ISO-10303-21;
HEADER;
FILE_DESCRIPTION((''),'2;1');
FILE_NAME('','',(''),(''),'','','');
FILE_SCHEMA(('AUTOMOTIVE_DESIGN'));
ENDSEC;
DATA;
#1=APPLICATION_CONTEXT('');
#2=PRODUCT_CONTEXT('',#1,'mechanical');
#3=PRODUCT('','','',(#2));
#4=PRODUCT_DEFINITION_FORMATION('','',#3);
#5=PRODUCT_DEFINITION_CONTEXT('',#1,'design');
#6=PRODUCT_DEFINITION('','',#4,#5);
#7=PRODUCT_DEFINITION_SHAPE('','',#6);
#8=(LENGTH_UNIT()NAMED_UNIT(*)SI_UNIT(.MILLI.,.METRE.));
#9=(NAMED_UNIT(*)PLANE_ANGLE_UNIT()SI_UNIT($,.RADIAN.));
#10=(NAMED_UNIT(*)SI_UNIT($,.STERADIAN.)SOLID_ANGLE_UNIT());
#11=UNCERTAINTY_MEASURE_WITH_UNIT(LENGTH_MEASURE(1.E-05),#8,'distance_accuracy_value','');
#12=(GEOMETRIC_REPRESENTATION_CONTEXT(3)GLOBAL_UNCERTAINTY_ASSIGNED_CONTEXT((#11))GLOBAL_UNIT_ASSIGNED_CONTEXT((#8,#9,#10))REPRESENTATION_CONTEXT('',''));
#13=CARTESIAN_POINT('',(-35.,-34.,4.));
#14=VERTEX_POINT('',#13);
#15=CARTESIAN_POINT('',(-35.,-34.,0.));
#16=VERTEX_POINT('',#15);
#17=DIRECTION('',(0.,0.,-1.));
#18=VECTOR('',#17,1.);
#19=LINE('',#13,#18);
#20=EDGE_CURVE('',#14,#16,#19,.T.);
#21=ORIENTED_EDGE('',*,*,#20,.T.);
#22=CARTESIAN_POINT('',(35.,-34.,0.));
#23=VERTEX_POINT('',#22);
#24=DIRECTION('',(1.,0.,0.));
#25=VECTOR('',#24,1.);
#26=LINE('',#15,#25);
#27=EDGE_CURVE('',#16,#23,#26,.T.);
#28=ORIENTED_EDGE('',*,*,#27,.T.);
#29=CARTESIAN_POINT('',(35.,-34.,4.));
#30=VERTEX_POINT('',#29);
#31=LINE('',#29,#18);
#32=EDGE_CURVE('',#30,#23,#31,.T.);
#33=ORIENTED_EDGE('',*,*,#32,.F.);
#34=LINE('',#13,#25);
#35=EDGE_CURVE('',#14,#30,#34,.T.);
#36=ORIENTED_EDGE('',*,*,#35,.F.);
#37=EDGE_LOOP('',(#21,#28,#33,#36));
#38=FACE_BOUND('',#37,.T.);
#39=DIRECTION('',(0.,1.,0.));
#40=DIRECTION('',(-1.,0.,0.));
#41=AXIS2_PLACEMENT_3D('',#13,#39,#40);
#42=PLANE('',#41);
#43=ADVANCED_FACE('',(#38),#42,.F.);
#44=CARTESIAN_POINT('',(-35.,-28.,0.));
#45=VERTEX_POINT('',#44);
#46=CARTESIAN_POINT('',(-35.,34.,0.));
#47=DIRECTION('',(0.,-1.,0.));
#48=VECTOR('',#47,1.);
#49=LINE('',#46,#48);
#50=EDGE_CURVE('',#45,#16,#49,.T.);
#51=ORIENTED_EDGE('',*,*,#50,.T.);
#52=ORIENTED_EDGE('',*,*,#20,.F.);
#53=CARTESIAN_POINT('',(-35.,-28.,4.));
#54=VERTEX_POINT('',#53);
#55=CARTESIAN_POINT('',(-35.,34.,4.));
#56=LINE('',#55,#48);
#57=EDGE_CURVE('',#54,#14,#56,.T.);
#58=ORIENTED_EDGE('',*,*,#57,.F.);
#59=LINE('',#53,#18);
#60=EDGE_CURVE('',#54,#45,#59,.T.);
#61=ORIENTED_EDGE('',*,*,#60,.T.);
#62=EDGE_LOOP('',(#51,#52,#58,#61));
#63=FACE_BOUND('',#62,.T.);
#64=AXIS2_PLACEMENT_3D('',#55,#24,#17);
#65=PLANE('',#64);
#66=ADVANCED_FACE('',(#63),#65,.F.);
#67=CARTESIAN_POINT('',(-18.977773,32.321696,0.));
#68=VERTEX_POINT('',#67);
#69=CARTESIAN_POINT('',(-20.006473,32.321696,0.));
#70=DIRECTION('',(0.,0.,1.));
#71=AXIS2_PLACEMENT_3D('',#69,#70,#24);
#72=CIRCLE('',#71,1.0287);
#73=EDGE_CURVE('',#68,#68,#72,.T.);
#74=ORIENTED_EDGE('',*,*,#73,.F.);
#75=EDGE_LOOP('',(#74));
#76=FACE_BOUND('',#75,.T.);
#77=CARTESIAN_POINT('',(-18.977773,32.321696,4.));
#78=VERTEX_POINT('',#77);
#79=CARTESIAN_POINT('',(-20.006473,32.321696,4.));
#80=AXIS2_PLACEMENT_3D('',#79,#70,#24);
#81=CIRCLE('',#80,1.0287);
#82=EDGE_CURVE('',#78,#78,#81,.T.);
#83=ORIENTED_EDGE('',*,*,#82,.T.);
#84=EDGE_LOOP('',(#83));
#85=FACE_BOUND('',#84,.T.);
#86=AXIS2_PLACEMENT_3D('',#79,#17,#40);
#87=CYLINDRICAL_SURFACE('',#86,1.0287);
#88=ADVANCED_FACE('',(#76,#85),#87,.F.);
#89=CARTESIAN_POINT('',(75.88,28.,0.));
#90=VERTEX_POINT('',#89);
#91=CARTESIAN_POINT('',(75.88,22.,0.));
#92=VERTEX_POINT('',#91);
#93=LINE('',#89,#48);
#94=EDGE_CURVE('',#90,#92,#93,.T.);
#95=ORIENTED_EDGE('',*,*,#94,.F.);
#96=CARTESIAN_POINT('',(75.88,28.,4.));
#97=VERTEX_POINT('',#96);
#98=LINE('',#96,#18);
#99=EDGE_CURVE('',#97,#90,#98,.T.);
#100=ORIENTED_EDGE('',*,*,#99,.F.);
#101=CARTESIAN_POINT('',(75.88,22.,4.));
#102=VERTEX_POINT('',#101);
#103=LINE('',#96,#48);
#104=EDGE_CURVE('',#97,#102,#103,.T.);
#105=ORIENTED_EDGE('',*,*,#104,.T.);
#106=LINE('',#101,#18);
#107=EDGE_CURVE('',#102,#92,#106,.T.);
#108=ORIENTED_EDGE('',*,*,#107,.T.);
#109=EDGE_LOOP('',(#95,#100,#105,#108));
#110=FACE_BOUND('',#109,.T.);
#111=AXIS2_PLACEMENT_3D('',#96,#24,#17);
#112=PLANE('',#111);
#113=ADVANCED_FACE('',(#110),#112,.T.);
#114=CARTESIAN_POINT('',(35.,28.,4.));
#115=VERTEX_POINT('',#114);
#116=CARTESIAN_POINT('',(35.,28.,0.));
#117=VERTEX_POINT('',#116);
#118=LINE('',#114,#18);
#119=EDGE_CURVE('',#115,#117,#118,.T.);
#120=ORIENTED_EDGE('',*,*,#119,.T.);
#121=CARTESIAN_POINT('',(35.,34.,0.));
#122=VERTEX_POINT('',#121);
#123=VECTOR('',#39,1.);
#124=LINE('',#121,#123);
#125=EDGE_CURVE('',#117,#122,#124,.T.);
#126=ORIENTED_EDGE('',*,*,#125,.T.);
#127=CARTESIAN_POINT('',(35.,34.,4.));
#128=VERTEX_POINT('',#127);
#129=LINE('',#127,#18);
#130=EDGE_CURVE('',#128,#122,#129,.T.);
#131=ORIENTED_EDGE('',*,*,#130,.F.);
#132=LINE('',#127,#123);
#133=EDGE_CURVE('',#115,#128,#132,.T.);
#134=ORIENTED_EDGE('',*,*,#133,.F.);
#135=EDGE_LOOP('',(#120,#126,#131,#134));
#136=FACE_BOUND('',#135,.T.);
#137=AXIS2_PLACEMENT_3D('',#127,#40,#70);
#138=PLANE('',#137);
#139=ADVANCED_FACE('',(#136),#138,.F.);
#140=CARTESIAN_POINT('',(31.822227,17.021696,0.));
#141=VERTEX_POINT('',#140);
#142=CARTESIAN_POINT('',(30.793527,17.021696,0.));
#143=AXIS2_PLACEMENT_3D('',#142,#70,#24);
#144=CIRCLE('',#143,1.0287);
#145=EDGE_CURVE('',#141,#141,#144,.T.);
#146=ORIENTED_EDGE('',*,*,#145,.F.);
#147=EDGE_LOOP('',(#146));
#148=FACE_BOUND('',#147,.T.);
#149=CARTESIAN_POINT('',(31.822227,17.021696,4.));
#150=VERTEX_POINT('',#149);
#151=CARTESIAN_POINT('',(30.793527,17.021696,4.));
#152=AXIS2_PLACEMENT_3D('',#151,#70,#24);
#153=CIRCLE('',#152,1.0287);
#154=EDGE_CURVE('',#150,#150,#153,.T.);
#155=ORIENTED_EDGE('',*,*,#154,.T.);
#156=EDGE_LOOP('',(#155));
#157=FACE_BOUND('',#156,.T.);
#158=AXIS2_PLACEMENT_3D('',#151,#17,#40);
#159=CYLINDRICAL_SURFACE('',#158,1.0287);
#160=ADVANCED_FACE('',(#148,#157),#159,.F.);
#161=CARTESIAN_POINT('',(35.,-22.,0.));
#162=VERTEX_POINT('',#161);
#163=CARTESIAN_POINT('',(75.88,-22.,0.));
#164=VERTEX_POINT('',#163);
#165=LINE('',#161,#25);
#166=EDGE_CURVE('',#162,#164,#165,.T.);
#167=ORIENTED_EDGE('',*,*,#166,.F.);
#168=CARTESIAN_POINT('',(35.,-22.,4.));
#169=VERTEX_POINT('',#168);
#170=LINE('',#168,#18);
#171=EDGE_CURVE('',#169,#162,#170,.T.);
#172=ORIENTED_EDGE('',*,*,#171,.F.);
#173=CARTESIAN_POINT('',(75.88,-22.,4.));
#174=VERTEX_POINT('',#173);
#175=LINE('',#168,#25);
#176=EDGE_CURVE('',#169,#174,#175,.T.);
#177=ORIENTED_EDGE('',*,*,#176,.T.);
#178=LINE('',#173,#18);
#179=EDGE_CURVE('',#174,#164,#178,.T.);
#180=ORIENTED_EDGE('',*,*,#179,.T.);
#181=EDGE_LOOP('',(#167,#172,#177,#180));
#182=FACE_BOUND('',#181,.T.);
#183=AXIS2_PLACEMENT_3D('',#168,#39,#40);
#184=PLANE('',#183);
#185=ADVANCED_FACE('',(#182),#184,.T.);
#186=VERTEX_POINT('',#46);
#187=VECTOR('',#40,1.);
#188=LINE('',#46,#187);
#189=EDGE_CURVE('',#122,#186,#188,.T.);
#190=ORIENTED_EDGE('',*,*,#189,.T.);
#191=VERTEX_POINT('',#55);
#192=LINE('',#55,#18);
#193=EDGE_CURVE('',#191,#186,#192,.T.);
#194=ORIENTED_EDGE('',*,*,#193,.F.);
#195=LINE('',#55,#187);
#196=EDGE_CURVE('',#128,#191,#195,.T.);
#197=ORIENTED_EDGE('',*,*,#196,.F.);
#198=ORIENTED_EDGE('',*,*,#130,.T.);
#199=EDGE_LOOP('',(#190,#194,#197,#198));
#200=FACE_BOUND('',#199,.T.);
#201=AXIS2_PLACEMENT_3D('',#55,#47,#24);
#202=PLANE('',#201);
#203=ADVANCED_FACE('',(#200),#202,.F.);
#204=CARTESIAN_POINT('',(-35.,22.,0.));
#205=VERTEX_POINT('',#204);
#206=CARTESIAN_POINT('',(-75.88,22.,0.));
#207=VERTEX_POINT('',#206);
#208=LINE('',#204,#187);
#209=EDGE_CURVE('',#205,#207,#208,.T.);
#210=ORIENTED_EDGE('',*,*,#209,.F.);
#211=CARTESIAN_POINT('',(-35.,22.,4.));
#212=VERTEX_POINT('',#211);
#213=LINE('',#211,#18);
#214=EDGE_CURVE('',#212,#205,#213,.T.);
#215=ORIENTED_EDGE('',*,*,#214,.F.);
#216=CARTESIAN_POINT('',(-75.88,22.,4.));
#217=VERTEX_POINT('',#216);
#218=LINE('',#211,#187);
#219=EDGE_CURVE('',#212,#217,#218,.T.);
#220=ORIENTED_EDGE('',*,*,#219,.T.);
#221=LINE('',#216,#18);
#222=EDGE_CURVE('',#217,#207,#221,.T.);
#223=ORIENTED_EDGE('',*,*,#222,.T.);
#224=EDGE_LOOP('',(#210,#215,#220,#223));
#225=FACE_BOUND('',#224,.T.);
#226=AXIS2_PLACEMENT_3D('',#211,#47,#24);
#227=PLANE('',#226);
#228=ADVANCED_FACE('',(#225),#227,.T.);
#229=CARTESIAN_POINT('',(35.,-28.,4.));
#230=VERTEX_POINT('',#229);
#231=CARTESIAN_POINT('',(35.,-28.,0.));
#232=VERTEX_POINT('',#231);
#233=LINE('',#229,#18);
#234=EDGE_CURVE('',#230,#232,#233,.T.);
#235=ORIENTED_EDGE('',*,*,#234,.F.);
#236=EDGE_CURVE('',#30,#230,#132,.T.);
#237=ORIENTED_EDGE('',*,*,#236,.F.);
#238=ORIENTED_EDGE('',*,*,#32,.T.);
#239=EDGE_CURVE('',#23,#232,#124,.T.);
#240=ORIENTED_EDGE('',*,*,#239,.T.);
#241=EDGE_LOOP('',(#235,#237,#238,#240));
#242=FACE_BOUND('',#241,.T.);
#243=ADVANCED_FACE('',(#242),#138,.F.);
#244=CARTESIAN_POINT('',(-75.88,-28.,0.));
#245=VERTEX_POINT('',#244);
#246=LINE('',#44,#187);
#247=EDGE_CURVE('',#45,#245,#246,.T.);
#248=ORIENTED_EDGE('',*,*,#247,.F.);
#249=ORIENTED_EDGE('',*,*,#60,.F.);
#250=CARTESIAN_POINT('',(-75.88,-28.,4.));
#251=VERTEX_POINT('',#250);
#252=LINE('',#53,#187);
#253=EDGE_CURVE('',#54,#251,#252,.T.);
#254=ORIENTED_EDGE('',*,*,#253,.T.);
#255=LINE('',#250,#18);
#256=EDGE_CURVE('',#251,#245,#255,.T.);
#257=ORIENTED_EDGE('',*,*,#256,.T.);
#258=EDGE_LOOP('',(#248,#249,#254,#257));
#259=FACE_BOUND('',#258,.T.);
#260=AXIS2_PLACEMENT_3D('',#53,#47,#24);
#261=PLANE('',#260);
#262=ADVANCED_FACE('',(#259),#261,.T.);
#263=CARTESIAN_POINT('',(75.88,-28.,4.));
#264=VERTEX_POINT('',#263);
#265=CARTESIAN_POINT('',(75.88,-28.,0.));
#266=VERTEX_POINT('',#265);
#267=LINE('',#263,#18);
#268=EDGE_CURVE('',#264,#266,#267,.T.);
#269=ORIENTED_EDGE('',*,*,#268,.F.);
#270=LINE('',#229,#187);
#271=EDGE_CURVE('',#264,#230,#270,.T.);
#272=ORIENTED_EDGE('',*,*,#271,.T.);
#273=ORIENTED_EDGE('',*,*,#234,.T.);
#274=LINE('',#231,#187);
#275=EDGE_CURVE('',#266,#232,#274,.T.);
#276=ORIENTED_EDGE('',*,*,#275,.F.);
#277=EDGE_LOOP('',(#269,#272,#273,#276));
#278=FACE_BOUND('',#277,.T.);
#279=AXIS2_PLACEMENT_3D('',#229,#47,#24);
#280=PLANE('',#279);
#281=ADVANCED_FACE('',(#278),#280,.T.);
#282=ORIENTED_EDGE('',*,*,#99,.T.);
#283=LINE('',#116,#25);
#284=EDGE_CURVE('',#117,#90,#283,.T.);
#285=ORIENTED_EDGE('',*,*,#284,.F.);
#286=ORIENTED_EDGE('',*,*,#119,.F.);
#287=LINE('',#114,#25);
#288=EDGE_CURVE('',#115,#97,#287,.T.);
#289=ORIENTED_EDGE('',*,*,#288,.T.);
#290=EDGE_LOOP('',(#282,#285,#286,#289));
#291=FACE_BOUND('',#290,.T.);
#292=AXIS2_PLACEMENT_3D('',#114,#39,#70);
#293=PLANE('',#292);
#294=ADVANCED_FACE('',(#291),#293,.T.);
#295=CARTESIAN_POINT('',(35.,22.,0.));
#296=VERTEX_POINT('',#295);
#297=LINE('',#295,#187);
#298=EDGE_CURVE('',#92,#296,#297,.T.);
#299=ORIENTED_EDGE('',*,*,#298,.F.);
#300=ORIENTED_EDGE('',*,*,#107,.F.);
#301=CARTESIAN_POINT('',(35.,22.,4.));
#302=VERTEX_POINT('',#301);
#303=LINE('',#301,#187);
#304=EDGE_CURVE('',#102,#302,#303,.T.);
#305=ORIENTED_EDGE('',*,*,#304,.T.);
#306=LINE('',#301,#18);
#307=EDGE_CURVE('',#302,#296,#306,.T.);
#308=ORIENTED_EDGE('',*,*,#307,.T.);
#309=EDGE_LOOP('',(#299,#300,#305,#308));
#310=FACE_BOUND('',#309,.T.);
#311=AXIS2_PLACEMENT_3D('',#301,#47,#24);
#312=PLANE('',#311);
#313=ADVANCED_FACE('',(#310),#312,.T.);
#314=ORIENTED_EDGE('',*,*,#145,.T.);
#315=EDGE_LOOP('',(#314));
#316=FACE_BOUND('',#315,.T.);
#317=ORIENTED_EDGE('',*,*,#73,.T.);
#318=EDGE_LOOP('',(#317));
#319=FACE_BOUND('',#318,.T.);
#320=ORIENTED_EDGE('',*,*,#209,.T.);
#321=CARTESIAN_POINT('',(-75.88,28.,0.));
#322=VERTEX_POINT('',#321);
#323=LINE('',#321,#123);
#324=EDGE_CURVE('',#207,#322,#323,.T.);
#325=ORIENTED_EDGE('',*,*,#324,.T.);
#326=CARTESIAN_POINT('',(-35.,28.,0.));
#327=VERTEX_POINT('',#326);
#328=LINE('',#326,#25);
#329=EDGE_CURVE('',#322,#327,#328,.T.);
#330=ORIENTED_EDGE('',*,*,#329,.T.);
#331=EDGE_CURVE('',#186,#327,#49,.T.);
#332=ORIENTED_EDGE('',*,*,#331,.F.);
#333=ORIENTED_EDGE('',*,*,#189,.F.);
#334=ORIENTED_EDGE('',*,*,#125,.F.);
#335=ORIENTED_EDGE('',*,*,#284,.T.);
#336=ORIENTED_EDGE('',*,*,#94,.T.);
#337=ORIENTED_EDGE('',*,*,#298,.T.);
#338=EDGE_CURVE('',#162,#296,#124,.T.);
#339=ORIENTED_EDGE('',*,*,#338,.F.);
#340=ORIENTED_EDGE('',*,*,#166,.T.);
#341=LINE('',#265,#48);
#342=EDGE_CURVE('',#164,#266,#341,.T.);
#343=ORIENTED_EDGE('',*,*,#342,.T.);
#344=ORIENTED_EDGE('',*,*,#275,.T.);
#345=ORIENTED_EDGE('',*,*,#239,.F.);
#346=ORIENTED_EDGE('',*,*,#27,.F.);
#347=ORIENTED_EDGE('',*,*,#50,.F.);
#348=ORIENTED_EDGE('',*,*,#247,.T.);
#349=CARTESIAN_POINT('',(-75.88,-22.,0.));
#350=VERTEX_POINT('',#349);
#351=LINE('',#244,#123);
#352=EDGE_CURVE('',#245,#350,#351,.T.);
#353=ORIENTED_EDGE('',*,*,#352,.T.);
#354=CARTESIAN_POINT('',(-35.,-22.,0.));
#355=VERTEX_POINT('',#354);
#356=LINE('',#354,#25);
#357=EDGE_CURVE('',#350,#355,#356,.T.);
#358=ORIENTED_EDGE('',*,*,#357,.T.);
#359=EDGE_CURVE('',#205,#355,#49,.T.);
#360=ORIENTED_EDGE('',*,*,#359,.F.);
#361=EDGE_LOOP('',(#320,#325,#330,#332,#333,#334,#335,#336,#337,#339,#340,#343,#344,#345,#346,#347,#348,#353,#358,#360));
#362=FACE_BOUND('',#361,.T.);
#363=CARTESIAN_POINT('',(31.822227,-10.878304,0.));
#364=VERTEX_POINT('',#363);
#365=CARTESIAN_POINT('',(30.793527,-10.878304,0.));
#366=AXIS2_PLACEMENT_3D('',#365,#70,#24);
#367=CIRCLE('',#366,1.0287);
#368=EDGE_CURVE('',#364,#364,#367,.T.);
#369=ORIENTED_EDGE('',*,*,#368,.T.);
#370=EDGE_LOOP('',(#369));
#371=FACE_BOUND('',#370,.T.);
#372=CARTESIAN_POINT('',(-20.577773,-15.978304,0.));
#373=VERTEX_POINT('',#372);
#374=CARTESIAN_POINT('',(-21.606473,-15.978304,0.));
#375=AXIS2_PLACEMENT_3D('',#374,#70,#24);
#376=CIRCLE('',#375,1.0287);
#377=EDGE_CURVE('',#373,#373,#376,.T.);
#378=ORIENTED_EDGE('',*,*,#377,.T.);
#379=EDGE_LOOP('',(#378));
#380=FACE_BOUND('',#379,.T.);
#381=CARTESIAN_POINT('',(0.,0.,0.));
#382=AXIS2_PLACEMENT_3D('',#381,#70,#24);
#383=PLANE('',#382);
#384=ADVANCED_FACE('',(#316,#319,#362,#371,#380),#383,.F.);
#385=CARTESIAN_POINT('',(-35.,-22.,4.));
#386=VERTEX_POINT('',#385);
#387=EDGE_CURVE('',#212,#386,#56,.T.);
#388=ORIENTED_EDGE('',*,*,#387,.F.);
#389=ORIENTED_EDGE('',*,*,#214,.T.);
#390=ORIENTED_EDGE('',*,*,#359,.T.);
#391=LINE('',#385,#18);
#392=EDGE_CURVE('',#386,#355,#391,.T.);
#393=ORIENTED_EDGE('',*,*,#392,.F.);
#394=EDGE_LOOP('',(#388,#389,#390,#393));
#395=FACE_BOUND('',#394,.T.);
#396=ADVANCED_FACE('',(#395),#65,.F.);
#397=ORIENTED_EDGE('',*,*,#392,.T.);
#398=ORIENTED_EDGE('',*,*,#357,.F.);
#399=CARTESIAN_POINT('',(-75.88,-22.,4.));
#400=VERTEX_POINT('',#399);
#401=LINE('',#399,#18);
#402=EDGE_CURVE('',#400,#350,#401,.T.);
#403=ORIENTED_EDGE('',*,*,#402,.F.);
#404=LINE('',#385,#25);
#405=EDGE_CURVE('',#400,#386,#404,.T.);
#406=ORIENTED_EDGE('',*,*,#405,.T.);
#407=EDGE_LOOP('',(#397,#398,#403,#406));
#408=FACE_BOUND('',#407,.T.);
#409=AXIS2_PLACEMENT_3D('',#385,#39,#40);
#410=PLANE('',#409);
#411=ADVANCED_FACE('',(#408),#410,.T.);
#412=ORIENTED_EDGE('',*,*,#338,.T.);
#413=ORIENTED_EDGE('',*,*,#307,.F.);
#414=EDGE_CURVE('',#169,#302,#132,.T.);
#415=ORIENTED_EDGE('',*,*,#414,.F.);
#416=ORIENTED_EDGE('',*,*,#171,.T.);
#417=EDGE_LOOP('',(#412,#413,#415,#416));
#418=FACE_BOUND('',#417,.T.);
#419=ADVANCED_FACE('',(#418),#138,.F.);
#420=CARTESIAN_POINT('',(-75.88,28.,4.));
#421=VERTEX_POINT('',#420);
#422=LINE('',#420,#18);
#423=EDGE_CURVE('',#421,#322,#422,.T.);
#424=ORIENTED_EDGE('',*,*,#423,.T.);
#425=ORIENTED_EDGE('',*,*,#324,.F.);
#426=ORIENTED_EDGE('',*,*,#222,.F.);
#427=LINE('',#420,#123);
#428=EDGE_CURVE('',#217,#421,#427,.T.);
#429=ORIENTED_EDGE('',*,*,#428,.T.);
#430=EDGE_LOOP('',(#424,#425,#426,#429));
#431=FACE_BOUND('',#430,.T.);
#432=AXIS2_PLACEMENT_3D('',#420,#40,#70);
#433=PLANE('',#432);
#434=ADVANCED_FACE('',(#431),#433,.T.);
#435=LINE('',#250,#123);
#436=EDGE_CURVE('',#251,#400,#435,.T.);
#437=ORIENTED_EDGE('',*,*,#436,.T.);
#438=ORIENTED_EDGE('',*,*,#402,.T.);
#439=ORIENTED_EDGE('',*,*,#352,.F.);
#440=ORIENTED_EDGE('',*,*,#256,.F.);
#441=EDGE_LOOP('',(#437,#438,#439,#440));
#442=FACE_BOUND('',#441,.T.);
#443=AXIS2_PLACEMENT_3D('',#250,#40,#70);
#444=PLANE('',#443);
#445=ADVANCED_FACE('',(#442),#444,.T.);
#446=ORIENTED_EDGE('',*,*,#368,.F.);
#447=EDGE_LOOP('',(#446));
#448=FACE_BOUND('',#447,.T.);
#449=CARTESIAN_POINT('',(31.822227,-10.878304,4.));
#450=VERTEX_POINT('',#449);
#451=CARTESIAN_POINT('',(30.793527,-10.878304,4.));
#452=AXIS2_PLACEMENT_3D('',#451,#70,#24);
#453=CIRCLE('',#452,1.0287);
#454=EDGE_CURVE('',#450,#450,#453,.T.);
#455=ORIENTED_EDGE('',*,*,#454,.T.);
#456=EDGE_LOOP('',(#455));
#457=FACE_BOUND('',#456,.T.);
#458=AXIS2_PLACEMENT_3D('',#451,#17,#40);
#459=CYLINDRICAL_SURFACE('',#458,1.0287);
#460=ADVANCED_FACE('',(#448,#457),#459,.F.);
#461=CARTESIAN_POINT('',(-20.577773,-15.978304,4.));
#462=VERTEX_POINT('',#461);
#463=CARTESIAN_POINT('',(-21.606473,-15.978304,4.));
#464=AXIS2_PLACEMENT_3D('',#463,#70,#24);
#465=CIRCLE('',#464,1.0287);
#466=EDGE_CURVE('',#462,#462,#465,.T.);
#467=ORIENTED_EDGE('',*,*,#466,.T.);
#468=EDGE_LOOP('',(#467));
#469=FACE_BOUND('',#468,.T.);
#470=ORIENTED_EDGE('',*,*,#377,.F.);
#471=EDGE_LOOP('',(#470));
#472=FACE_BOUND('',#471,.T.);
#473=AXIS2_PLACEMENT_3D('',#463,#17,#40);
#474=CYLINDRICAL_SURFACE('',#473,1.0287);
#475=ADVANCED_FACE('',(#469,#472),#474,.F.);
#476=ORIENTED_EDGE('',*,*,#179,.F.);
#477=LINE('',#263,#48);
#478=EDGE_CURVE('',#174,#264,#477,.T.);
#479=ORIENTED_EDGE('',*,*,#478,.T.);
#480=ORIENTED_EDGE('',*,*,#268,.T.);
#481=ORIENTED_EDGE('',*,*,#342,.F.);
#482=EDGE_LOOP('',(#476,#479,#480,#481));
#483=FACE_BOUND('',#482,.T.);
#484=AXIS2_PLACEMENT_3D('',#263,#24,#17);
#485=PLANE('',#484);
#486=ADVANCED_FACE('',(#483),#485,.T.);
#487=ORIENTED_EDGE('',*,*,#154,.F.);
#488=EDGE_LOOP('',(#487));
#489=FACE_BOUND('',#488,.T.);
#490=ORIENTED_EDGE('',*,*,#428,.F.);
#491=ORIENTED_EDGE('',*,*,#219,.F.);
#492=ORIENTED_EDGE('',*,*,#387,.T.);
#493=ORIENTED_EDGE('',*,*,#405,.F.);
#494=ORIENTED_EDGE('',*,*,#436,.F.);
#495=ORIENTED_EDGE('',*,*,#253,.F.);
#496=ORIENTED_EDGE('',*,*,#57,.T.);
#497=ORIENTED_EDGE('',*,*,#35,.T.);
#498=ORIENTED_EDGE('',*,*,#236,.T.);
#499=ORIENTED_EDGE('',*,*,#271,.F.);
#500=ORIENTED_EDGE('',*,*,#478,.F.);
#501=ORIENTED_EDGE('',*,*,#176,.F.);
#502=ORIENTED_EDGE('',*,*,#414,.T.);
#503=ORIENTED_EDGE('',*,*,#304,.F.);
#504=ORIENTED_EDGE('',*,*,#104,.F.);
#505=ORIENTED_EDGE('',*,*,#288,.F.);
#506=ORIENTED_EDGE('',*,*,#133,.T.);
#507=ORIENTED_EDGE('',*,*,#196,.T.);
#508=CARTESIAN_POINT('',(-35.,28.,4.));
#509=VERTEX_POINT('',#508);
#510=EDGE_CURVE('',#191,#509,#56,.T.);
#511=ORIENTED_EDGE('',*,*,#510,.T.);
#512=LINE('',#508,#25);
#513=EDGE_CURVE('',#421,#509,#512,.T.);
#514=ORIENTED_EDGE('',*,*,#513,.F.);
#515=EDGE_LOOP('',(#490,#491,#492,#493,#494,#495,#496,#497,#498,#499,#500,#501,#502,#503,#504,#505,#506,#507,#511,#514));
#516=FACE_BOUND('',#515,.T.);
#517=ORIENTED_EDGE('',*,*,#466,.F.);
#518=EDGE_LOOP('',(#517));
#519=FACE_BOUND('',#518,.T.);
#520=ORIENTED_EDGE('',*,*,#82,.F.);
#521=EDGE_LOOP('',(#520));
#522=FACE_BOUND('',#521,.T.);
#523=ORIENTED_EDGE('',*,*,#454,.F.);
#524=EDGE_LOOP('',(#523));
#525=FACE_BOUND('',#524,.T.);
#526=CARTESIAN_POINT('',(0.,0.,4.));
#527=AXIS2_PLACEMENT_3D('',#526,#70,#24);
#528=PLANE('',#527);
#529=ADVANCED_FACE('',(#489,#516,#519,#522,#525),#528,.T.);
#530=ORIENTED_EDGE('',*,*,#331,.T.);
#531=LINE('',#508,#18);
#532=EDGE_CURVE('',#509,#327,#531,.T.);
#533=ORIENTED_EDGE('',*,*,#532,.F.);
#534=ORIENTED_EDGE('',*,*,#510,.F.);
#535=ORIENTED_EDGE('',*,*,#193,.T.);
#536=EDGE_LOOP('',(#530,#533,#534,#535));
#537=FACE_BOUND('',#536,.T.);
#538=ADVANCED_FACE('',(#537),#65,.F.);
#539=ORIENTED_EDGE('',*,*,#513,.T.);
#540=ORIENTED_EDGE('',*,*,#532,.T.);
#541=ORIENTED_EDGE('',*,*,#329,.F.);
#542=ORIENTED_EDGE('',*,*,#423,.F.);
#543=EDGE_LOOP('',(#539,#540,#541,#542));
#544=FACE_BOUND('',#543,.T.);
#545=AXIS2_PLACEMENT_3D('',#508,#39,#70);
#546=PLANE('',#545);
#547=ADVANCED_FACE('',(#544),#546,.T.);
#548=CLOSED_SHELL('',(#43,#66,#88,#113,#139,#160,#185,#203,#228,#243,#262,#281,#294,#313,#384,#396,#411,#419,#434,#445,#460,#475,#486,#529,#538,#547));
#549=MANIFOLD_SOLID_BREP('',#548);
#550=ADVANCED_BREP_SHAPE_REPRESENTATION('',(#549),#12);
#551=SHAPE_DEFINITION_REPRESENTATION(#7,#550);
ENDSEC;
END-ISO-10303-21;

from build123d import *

# Parameters (mm, degrees)
SKETCH1_W           = 70
SKETCH1_H           = 68
SKETCH1_R           = 1.0287
BOSS_EXTRUDE1_DEPTH = 4
SKETCH2_W           = 40.88
SKETCH2_H           = 6
BOSS_EXTRUDE2_DEPTH = 4


with BuildPart() as part:
    # Sketch1 → Boss-Extrude1 (new body)
    with BuildSketch(Plane.XY):
        Rectangle(SKETCH1_W, SKETCH1_H)
        with Locations((-21.606472839, -15.978304245)):
            Circle(SKETCH1_R, mode=Mode.SUBTRACT)
        with Locations((30.793527161, -10.878304245)):
            Circle(SKETCH1_R, mode=Mode.SUBTRACT)
        with Locations((30.793527161, 17.021695755)):
            Circle(SKETCH1_R, mode=Mode.SUBTRACT)
        with Locations((-20.006472839, 32.321695755)):
            Circle(SKETCH1_R, mode=Mode.SUBTRACT)
    extrude(amount=BOSS_EXTRUDE1_DEPTH)

    # Sketch2 → Boss-Extrude2 (add)
    with BuildSketch(Plane(origin=(0, 0, 0), x_dir=(-1, 0, 0), z_dir=(0, 0, -1))):
        with Locations((55.44, 25)):
            Rectangle(SKETCH2_W, SKETCH2_H)
        with Locations((-55.44, 25)):
            Rectangle(SKETCH2_W, SKETCH2_H)
        with Locations((-55.44, -25)):
            Rectangle(SKETCH2_W, SKETCH2_H)
        with Locations((55.44, -25)):
            Rectangle(SKETCH2_W, SKETCH2_H)
    extrude(amount=-BOSS_EXTRUDE2_DEPTH)


solid = part.part
